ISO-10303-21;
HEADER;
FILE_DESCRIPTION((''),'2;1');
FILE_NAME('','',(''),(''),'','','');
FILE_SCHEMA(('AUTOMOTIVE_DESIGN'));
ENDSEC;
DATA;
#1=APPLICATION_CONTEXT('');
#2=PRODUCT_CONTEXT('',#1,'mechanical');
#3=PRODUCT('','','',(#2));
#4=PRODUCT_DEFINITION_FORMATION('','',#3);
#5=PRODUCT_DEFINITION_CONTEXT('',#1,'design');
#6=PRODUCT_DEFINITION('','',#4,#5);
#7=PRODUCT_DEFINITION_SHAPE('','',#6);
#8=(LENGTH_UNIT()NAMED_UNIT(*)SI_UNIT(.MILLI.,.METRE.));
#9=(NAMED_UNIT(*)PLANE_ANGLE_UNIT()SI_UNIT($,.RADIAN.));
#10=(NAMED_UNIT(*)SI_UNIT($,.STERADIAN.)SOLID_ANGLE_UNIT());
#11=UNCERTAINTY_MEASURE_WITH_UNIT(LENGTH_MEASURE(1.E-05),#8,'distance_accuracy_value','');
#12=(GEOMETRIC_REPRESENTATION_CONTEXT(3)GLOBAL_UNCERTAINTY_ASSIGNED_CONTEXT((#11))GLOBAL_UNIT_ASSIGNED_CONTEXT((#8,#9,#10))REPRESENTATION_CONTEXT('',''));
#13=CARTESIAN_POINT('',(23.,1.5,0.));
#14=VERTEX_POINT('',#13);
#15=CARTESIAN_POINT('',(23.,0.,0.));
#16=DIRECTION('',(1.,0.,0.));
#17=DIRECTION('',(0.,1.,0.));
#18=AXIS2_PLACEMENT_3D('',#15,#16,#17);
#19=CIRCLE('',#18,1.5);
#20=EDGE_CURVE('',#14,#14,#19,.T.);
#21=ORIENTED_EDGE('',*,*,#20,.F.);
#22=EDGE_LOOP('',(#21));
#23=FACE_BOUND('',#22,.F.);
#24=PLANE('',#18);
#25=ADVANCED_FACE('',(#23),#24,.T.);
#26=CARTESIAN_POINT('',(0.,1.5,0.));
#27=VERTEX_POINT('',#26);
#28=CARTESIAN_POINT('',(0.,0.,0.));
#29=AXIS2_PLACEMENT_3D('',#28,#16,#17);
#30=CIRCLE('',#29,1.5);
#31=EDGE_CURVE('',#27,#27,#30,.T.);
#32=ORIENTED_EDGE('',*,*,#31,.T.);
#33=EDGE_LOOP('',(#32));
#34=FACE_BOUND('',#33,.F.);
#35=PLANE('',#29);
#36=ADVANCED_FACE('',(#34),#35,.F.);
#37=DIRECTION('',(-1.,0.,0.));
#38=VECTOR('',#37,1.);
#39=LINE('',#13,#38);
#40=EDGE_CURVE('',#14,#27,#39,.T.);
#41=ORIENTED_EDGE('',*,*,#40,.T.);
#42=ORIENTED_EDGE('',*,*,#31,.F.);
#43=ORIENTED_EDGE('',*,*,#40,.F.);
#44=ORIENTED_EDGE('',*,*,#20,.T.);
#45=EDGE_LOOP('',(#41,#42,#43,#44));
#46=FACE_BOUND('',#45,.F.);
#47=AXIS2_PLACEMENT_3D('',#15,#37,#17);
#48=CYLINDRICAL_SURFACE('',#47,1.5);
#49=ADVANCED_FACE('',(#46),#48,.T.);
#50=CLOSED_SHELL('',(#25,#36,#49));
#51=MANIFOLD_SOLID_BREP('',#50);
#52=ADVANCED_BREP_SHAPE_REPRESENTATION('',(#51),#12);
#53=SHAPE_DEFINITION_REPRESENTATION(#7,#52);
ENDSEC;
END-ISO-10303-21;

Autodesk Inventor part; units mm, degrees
ref_plane "YZ Plane" through (0, 0, 0) normal (1, 0, 0) x (0, 1, 0)
ref_plane "XZ Plane" through (0, 0, 0) normal (0, 1, 0) x (-1, 0, 0)
ref_plane "XY Plane" through (0, 0, 0) normal (0, 0, 1) x (1, 0, 0)
sketch "Sketch1" plane through (0, 0, 0) normal (0, 0, 1) x (1, 0, 0)
  line L0 (0, 0) -> (23, 0)
  line L1 (23, 0) -> (23, 1.5)
  line L2 (23, 1.5) -> (0, 1.5)
  line L3 (0, 1.5) -> (0, 0)
  dimension "d0" = 23
  dimension "d1" = 1.5
revolve "Revolution1" add sketch "Sketch1" angle 360 about axis through (0, 0, 0) along (1, 0, 0)
properties part number "Bolt_3_23" material "Iron, Cast"
